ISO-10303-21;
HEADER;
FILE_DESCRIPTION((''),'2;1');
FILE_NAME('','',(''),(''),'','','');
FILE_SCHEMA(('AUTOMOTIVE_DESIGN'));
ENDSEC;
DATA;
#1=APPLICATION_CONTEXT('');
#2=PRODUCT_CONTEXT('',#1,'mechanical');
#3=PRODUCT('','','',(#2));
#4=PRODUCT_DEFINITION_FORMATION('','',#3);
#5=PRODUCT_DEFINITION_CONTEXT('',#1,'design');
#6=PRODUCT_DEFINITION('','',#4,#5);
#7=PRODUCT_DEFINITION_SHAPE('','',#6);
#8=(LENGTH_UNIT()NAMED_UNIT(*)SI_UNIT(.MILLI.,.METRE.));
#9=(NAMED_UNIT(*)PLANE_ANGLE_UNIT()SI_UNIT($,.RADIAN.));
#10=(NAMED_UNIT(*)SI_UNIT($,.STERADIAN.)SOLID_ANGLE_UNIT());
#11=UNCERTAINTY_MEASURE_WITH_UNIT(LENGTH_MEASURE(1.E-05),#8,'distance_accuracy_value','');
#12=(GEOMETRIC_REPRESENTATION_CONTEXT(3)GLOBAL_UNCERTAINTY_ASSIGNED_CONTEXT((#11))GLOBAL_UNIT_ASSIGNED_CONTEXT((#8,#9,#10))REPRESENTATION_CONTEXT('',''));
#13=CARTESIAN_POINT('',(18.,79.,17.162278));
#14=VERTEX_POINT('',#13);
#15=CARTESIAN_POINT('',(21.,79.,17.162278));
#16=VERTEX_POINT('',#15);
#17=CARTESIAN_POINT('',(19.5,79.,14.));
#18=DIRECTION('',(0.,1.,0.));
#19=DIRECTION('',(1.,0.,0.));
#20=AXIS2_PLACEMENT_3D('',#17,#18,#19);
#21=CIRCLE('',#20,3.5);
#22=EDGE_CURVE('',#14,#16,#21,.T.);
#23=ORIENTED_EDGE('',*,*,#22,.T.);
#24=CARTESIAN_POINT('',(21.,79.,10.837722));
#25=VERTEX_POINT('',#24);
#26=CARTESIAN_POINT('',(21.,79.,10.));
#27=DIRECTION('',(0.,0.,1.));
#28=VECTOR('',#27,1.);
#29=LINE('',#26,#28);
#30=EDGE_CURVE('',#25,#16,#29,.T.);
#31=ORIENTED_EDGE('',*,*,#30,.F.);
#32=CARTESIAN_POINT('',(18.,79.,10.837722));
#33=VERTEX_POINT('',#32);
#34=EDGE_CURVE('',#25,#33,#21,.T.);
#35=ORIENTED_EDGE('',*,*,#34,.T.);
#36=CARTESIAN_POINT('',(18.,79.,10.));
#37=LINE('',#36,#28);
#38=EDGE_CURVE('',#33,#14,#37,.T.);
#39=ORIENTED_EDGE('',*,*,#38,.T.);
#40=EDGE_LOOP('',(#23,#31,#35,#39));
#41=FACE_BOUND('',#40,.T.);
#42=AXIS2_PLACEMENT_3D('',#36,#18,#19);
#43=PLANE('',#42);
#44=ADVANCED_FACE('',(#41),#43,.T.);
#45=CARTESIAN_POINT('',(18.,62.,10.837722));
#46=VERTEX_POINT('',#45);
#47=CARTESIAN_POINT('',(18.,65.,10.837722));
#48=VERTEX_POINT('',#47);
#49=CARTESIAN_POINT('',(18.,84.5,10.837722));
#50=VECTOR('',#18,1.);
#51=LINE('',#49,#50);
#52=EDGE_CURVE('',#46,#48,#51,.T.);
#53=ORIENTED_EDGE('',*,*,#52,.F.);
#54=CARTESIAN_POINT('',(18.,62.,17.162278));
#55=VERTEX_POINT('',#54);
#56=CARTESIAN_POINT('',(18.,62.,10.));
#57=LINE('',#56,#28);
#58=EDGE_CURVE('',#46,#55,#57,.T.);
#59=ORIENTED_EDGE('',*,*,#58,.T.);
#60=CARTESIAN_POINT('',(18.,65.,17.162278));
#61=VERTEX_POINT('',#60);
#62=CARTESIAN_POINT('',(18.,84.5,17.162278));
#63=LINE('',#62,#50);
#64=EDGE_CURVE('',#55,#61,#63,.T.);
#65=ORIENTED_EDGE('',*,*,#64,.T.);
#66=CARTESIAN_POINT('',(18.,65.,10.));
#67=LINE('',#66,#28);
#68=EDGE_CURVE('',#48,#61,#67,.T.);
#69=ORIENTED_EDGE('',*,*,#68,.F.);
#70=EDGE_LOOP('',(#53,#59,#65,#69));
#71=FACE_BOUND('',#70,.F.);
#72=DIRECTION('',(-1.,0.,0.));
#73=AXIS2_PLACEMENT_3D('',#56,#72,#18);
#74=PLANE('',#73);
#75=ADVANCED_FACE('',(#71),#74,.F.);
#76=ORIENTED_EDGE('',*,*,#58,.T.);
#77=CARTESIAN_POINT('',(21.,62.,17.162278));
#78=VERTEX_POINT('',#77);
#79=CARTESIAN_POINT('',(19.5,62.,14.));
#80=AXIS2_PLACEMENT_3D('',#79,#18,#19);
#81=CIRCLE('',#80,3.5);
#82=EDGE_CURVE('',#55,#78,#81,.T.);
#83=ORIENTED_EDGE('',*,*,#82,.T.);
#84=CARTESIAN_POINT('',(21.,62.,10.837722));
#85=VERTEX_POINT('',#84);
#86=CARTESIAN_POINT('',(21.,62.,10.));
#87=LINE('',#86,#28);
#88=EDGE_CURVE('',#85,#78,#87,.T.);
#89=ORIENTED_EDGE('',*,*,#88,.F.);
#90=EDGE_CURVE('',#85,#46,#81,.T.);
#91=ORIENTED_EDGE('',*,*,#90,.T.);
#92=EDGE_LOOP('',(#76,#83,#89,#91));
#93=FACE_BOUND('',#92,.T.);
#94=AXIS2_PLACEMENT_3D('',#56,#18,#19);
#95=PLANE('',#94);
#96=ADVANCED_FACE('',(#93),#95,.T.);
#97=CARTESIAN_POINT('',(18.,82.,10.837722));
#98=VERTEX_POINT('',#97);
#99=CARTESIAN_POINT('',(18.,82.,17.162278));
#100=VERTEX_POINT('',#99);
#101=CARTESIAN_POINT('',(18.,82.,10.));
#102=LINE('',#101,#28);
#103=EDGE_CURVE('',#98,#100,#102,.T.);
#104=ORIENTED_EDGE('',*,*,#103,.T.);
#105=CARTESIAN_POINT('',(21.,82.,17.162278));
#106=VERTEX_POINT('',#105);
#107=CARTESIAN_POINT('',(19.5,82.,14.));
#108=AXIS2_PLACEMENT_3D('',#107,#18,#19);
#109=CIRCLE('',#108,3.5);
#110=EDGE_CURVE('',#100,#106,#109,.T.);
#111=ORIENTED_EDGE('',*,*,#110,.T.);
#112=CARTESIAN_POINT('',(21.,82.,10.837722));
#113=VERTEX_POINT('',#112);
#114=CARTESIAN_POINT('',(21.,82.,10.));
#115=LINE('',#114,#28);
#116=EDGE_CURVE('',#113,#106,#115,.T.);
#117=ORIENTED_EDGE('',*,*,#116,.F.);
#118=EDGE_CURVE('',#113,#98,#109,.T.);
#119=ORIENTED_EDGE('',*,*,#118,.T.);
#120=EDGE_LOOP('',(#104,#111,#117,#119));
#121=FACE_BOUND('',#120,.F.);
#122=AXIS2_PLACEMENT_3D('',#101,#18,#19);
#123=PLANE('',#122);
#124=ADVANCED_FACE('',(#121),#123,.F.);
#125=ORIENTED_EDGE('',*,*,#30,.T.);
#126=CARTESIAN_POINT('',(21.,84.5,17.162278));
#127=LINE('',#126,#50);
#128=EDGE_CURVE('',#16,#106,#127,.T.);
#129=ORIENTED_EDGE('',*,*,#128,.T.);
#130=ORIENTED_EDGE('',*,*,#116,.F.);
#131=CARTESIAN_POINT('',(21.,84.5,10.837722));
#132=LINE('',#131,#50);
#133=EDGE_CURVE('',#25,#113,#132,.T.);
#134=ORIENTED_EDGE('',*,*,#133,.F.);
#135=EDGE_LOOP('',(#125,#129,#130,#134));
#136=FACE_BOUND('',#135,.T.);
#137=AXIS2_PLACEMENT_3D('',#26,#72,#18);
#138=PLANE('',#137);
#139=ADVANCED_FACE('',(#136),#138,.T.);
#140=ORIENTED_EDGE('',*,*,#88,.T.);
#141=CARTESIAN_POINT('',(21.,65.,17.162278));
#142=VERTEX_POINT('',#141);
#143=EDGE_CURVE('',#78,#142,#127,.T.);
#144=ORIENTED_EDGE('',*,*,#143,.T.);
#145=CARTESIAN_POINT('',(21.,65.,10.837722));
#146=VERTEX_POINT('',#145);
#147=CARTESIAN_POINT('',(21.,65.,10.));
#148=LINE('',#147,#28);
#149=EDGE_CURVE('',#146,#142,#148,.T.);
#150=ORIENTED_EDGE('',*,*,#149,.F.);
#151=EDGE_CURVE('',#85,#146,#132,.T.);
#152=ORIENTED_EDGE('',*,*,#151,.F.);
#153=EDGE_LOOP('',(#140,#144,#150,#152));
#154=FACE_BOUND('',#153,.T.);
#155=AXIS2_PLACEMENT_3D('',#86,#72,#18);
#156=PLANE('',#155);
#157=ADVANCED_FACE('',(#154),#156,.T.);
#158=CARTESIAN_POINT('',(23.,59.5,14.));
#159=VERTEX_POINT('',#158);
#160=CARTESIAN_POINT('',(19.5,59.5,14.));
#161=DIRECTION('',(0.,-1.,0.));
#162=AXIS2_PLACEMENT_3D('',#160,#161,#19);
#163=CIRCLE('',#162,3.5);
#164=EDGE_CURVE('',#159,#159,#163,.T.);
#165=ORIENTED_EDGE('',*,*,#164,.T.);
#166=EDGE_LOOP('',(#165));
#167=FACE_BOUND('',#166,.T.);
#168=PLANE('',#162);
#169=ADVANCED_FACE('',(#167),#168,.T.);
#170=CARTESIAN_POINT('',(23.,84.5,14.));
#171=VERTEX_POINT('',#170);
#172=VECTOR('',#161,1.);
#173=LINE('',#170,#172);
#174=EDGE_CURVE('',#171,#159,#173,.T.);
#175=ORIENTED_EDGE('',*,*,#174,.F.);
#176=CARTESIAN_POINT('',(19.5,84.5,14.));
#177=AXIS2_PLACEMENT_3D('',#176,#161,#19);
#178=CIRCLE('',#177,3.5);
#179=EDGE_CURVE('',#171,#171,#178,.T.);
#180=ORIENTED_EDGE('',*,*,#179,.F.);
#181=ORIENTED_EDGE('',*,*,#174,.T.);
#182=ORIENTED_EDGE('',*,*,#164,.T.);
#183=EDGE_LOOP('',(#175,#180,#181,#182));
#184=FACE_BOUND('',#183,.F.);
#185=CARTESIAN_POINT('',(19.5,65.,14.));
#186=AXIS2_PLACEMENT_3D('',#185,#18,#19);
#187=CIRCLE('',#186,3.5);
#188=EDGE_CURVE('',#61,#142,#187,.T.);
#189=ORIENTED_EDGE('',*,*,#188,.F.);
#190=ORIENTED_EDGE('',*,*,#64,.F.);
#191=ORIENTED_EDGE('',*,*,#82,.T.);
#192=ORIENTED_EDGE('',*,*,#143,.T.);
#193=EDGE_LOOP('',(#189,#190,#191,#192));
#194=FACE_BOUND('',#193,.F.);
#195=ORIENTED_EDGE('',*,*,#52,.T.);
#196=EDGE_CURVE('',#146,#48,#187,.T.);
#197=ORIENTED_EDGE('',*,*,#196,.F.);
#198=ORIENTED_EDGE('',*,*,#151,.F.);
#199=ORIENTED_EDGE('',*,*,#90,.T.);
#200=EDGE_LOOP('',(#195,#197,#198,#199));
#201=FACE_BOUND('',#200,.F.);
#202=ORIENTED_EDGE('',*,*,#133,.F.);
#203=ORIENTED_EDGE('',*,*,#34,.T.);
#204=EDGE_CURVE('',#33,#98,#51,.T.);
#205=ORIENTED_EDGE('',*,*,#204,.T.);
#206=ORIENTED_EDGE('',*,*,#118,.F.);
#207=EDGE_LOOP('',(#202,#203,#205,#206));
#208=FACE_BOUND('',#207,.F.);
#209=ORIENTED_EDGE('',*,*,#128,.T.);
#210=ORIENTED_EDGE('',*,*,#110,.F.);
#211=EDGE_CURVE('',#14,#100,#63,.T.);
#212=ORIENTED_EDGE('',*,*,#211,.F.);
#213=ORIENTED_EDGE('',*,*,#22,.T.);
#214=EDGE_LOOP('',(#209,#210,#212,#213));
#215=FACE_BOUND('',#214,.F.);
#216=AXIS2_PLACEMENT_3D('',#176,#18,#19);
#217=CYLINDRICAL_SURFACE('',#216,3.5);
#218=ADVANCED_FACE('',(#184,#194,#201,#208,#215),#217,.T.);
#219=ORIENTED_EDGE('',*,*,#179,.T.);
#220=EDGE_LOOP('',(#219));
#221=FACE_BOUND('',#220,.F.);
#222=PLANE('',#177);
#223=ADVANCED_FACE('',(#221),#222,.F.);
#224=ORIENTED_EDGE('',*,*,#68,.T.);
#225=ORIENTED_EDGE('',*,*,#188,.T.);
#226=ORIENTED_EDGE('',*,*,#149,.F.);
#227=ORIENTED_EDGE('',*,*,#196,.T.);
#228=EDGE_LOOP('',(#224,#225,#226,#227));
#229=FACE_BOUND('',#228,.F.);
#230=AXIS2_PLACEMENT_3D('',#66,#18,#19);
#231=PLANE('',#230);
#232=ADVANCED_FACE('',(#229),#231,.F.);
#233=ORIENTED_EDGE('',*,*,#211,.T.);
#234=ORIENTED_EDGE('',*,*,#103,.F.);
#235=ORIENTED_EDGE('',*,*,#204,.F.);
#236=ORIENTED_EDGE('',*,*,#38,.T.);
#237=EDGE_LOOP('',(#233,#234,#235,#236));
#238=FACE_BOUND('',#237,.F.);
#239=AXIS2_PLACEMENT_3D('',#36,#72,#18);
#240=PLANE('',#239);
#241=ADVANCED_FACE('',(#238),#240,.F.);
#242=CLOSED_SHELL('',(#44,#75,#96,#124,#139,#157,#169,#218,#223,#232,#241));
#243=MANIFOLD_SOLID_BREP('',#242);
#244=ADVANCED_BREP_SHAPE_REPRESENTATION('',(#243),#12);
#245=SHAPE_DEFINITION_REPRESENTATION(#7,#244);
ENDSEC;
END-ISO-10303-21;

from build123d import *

# Parameters (mm, degrees)
BOX014_W          = 3
BOX014_H          = 3
BOX014_DEPTH      = 8
BOX013_W          = 3
BOX013_H          = 3
BOX013_DEPTH      = 8
CYLINDER009_R     = 3.5
CYLINDER009_DEPTH = 25


with BuildPart() as pivotrodbodypinhole4:
    # Box014 → Box014 (new body)
    with BuildSketch(Plane(origin=(18, 62, 10), x_dir=(1, 0, 0), z_dir=(0, 0, 1))):
        with Locations((1.5, 1.5)):
            Rectangle(BOX014_W, BOX014_H)
    extrude(amount=BOX014_DEPTH)


with BuildPart() as pivotrodpinholesright:
    # Box013 → Box013 (new body)
    with BuildSketch(Plane(origin=(18, 79, 10), x_dir=(1, 0, 0), z_dir=(0, 0, 1))):
        with Locations((1.5, 1.5)):
            Rectangle(BOX013_W, BOX013_H)
    extrude(amount=BOX013_DEPTH)

    # Fusion009: union PivotRodBodyPinhole4
    add(pivotrodbodypinhole4.part)


with BuildPart() as pivotrodright:
    # Cylinder009 → Cylinder009 (new body)
    with BuildSketch(Plane(origin=(19.5, 84.5, 14), x_dir=(1, 0, 0), z_dir=(0, -1, 0))):
        Circle(CYLINDER009_R)
    extrude(amount=CYLINDER009_DEPTH)

    # Cut007: cut PivotRodPinholesRight
    add(pivotrodpinholesright.part, mode=Mode.SUBTRACT)


solid = pivotrodright.part
